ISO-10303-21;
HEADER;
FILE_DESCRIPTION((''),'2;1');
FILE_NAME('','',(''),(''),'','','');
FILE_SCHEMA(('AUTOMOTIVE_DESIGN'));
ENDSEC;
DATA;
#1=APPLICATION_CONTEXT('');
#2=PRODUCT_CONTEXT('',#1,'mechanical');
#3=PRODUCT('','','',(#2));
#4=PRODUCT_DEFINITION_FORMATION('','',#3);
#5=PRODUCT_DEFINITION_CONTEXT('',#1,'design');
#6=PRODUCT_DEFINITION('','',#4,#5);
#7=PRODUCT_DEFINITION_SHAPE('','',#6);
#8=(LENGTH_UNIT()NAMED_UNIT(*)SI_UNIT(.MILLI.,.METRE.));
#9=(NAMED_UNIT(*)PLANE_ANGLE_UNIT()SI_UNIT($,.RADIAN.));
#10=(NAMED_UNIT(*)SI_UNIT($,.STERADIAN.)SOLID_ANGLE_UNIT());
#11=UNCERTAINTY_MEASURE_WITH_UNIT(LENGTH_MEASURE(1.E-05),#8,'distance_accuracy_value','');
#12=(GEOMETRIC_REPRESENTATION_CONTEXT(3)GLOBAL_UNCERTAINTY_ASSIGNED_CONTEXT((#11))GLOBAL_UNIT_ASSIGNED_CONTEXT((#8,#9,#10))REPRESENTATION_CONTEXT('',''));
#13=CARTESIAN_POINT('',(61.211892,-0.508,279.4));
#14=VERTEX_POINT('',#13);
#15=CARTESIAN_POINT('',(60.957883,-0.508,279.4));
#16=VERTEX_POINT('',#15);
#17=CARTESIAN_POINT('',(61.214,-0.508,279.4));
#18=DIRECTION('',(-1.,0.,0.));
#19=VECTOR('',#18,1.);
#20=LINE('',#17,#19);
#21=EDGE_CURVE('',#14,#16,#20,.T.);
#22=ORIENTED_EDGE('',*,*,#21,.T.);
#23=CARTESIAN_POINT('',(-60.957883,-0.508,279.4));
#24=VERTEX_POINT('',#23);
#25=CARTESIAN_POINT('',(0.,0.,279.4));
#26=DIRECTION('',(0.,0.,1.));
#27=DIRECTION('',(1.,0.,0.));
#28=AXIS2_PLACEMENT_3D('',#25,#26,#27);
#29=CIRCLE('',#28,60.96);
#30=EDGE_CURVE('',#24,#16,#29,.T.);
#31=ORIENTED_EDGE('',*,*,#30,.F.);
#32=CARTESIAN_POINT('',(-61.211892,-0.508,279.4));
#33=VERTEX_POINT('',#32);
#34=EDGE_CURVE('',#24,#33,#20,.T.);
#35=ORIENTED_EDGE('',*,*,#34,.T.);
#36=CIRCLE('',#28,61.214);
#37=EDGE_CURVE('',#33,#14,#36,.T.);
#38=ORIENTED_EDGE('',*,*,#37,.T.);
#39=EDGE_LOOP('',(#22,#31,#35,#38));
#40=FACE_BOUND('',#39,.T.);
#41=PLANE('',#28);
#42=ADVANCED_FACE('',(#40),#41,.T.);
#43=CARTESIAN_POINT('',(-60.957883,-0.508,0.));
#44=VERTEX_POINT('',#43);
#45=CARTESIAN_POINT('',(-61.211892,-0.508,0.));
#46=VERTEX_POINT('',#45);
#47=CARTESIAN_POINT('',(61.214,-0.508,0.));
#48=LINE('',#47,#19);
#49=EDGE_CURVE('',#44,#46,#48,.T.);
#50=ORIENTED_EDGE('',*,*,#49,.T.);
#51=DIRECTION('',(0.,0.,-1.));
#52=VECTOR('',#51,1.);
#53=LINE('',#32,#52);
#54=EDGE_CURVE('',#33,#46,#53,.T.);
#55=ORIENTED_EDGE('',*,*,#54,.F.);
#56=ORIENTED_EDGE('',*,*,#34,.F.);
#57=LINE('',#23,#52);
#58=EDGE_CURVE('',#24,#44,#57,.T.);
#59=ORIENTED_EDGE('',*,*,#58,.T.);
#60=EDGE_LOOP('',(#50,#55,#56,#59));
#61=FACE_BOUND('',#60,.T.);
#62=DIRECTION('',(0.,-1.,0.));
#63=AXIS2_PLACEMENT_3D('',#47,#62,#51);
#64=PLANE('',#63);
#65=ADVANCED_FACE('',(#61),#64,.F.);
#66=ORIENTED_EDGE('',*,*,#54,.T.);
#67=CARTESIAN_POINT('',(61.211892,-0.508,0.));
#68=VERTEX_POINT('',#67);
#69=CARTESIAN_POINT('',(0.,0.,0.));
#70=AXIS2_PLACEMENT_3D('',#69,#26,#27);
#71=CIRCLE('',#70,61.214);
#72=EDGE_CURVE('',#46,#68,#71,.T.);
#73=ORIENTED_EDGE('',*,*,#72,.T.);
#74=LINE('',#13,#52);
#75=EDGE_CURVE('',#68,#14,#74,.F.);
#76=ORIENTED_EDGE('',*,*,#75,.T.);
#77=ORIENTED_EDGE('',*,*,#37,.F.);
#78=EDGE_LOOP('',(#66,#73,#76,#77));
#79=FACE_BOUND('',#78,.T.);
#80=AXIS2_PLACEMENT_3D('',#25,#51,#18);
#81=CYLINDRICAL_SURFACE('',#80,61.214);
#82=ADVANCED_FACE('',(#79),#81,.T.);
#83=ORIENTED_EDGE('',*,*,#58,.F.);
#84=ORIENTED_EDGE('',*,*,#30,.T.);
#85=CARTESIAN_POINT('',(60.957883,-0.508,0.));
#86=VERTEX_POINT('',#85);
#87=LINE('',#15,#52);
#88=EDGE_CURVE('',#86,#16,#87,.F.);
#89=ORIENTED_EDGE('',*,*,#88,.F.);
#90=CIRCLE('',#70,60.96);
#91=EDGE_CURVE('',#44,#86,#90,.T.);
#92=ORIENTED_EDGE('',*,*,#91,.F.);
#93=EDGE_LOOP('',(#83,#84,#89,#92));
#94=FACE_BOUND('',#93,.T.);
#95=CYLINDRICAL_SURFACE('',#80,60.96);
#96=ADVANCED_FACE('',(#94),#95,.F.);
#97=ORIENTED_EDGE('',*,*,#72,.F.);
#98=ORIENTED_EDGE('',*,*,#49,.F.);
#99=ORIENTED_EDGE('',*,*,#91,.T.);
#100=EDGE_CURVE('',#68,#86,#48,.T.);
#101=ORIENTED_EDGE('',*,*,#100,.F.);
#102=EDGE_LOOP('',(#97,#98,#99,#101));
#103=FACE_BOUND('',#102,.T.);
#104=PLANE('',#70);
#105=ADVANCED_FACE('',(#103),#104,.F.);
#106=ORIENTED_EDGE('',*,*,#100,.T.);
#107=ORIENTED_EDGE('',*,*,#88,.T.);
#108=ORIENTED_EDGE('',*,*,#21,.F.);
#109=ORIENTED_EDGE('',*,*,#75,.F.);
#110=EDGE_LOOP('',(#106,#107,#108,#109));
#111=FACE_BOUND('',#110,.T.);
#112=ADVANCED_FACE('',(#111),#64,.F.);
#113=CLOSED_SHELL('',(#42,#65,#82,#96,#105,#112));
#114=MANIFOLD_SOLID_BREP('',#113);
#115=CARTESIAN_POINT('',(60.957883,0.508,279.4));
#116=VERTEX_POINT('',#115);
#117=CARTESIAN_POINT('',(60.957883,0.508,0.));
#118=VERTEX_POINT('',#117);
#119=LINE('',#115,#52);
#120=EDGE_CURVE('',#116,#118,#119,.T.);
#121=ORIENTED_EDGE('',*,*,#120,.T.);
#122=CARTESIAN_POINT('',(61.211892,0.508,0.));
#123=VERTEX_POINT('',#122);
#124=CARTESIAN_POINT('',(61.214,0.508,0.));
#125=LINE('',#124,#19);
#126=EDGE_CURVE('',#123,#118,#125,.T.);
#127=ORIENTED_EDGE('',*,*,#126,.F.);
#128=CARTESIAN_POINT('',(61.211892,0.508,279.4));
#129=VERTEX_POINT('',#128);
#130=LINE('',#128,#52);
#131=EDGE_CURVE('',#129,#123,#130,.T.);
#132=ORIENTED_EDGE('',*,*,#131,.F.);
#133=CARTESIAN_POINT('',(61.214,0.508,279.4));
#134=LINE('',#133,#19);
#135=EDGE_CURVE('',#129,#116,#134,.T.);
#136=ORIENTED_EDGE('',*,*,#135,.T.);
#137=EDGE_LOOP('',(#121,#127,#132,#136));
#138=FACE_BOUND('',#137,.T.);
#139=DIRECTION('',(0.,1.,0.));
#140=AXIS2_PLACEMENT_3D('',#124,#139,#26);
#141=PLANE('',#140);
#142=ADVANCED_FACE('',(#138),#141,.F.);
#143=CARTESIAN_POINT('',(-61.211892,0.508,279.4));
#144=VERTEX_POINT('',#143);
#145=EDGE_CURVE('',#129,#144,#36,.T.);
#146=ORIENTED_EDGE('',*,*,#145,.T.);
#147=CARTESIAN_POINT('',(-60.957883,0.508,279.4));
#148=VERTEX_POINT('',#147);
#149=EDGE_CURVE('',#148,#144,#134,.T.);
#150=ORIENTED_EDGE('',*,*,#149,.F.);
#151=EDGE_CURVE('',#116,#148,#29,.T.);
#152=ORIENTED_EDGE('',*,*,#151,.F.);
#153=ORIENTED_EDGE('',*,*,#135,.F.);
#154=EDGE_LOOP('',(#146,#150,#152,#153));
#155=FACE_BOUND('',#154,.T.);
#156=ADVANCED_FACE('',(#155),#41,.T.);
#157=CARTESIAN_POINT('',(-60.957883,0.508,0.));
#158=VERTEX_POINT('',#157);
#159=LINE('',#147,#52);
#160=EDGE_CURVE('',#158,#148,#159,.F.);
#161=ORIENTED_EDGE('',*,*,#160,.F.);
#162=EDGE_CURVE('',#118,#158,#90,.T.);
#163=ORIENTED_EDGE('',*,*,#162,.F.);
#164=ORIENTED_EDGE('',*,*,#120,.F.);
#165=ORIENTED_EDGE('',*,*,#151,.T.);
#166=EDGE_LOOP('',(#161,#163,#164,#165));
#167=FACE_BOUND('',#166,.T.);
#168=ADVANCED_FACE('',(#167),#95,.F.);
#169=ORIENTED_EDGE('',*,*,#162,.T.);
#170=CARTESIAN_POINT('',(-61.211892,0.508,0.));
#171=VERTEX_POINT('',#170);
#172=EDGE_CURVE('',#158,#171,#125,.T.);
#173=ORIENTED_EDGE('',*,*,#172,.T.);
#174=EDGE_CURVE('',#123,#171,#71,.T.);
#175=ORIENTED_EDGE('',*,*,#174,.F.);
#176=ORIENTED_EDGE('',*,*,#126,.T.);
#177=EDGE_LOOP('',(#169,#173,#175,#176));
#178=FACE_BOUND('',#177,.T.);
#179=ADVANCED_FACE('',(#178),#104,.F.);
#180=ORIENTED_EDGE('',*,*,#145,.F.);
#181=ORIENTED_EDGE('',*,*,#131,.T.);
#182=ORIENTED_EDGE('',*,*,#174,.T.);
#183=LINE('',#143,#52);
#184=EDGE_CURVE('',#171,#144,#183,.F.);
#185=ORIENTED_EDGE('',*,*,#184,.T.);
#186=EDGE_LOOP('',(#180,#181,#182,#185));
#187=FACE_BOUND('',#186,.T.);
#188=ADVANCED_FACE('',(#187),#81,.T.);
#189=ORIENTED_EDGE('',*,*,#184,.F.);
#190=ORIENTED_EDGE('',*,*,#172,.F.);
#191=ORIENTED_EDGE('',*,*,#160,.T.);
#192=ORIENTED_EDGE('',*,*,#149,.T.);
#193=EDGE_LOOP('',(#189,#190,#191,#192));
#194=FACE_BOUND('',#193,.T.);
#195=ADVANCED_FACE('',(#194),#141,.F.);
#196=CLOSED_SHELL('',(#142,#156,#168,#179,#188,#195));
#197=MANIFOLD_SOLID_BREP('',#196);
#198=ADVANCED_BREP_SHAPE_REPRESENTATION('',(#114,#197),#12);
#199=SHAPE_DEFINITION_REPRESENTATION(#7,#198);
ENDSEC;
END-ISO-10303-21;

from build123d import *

# Parameters (mm, degrees)
SKETCH2_R               = 61.214
SKETCH2_R_2             = 60.96
BOSS_EXTRUDE1_DEPTH     = 279.4
CUT_EXTRUDE1_DEPTH      = 312.127191001
CUT_EXTRUDE1_DEPTH_BACK = 312.127191001
SKETCH5_W               = 279.4
SKETCH5_H               = 1.016


with BuildPart() as part:
    # Sketch2 → Boss-Extrude1 (new body)
    with BuildSketch(Plane.XY):
        Circle(SKETCH2_R)
        Circle(SKETCH2_R_2, mode=Mode.SUBTRACT)
    extrude(amount=BOSS_EXTRUDE1_DEPTH)

    # Sketch5 → Cut-Extrude1 (cut, two sides: drawn at the far end of the back side and taken through both)
    with BuildSketch(Plane.ZY.offset(61.214).offset(-CUT_EXTRUDE1_DEPTH_BACK)):
        with Locations((139.7, 0)):
            Rectangle(SKETCH5_W, SKETCH5_H)
    extrude(amount=CUT_EXTRUDE1_DEPTH + CUT_EXTRUDE1_DEPTH_BACK, mode=Mode.SUBTRACT)


with BuildPart() as cut_extrude1_piece_1:
    # of the separate pieces the step leaves, piece 1, a body of its own (cut_extrude1_pieces)
    add(part.part.solids().sort_by_distance((61.21189208, 0.508, 0))[0])


with BuildPart() as cut_extrude1_piece_2:
    # of the separate pieces the step leaves, piece 2, a body of its own (cut_extrude1_pieces)
    add(part.part.solids().sort_by_distance((-61.21189208, -0.508, 0))[0])


solid = Compound([cut_extrude1_piece_1.part, cut_extrude1_piece_2.part])
